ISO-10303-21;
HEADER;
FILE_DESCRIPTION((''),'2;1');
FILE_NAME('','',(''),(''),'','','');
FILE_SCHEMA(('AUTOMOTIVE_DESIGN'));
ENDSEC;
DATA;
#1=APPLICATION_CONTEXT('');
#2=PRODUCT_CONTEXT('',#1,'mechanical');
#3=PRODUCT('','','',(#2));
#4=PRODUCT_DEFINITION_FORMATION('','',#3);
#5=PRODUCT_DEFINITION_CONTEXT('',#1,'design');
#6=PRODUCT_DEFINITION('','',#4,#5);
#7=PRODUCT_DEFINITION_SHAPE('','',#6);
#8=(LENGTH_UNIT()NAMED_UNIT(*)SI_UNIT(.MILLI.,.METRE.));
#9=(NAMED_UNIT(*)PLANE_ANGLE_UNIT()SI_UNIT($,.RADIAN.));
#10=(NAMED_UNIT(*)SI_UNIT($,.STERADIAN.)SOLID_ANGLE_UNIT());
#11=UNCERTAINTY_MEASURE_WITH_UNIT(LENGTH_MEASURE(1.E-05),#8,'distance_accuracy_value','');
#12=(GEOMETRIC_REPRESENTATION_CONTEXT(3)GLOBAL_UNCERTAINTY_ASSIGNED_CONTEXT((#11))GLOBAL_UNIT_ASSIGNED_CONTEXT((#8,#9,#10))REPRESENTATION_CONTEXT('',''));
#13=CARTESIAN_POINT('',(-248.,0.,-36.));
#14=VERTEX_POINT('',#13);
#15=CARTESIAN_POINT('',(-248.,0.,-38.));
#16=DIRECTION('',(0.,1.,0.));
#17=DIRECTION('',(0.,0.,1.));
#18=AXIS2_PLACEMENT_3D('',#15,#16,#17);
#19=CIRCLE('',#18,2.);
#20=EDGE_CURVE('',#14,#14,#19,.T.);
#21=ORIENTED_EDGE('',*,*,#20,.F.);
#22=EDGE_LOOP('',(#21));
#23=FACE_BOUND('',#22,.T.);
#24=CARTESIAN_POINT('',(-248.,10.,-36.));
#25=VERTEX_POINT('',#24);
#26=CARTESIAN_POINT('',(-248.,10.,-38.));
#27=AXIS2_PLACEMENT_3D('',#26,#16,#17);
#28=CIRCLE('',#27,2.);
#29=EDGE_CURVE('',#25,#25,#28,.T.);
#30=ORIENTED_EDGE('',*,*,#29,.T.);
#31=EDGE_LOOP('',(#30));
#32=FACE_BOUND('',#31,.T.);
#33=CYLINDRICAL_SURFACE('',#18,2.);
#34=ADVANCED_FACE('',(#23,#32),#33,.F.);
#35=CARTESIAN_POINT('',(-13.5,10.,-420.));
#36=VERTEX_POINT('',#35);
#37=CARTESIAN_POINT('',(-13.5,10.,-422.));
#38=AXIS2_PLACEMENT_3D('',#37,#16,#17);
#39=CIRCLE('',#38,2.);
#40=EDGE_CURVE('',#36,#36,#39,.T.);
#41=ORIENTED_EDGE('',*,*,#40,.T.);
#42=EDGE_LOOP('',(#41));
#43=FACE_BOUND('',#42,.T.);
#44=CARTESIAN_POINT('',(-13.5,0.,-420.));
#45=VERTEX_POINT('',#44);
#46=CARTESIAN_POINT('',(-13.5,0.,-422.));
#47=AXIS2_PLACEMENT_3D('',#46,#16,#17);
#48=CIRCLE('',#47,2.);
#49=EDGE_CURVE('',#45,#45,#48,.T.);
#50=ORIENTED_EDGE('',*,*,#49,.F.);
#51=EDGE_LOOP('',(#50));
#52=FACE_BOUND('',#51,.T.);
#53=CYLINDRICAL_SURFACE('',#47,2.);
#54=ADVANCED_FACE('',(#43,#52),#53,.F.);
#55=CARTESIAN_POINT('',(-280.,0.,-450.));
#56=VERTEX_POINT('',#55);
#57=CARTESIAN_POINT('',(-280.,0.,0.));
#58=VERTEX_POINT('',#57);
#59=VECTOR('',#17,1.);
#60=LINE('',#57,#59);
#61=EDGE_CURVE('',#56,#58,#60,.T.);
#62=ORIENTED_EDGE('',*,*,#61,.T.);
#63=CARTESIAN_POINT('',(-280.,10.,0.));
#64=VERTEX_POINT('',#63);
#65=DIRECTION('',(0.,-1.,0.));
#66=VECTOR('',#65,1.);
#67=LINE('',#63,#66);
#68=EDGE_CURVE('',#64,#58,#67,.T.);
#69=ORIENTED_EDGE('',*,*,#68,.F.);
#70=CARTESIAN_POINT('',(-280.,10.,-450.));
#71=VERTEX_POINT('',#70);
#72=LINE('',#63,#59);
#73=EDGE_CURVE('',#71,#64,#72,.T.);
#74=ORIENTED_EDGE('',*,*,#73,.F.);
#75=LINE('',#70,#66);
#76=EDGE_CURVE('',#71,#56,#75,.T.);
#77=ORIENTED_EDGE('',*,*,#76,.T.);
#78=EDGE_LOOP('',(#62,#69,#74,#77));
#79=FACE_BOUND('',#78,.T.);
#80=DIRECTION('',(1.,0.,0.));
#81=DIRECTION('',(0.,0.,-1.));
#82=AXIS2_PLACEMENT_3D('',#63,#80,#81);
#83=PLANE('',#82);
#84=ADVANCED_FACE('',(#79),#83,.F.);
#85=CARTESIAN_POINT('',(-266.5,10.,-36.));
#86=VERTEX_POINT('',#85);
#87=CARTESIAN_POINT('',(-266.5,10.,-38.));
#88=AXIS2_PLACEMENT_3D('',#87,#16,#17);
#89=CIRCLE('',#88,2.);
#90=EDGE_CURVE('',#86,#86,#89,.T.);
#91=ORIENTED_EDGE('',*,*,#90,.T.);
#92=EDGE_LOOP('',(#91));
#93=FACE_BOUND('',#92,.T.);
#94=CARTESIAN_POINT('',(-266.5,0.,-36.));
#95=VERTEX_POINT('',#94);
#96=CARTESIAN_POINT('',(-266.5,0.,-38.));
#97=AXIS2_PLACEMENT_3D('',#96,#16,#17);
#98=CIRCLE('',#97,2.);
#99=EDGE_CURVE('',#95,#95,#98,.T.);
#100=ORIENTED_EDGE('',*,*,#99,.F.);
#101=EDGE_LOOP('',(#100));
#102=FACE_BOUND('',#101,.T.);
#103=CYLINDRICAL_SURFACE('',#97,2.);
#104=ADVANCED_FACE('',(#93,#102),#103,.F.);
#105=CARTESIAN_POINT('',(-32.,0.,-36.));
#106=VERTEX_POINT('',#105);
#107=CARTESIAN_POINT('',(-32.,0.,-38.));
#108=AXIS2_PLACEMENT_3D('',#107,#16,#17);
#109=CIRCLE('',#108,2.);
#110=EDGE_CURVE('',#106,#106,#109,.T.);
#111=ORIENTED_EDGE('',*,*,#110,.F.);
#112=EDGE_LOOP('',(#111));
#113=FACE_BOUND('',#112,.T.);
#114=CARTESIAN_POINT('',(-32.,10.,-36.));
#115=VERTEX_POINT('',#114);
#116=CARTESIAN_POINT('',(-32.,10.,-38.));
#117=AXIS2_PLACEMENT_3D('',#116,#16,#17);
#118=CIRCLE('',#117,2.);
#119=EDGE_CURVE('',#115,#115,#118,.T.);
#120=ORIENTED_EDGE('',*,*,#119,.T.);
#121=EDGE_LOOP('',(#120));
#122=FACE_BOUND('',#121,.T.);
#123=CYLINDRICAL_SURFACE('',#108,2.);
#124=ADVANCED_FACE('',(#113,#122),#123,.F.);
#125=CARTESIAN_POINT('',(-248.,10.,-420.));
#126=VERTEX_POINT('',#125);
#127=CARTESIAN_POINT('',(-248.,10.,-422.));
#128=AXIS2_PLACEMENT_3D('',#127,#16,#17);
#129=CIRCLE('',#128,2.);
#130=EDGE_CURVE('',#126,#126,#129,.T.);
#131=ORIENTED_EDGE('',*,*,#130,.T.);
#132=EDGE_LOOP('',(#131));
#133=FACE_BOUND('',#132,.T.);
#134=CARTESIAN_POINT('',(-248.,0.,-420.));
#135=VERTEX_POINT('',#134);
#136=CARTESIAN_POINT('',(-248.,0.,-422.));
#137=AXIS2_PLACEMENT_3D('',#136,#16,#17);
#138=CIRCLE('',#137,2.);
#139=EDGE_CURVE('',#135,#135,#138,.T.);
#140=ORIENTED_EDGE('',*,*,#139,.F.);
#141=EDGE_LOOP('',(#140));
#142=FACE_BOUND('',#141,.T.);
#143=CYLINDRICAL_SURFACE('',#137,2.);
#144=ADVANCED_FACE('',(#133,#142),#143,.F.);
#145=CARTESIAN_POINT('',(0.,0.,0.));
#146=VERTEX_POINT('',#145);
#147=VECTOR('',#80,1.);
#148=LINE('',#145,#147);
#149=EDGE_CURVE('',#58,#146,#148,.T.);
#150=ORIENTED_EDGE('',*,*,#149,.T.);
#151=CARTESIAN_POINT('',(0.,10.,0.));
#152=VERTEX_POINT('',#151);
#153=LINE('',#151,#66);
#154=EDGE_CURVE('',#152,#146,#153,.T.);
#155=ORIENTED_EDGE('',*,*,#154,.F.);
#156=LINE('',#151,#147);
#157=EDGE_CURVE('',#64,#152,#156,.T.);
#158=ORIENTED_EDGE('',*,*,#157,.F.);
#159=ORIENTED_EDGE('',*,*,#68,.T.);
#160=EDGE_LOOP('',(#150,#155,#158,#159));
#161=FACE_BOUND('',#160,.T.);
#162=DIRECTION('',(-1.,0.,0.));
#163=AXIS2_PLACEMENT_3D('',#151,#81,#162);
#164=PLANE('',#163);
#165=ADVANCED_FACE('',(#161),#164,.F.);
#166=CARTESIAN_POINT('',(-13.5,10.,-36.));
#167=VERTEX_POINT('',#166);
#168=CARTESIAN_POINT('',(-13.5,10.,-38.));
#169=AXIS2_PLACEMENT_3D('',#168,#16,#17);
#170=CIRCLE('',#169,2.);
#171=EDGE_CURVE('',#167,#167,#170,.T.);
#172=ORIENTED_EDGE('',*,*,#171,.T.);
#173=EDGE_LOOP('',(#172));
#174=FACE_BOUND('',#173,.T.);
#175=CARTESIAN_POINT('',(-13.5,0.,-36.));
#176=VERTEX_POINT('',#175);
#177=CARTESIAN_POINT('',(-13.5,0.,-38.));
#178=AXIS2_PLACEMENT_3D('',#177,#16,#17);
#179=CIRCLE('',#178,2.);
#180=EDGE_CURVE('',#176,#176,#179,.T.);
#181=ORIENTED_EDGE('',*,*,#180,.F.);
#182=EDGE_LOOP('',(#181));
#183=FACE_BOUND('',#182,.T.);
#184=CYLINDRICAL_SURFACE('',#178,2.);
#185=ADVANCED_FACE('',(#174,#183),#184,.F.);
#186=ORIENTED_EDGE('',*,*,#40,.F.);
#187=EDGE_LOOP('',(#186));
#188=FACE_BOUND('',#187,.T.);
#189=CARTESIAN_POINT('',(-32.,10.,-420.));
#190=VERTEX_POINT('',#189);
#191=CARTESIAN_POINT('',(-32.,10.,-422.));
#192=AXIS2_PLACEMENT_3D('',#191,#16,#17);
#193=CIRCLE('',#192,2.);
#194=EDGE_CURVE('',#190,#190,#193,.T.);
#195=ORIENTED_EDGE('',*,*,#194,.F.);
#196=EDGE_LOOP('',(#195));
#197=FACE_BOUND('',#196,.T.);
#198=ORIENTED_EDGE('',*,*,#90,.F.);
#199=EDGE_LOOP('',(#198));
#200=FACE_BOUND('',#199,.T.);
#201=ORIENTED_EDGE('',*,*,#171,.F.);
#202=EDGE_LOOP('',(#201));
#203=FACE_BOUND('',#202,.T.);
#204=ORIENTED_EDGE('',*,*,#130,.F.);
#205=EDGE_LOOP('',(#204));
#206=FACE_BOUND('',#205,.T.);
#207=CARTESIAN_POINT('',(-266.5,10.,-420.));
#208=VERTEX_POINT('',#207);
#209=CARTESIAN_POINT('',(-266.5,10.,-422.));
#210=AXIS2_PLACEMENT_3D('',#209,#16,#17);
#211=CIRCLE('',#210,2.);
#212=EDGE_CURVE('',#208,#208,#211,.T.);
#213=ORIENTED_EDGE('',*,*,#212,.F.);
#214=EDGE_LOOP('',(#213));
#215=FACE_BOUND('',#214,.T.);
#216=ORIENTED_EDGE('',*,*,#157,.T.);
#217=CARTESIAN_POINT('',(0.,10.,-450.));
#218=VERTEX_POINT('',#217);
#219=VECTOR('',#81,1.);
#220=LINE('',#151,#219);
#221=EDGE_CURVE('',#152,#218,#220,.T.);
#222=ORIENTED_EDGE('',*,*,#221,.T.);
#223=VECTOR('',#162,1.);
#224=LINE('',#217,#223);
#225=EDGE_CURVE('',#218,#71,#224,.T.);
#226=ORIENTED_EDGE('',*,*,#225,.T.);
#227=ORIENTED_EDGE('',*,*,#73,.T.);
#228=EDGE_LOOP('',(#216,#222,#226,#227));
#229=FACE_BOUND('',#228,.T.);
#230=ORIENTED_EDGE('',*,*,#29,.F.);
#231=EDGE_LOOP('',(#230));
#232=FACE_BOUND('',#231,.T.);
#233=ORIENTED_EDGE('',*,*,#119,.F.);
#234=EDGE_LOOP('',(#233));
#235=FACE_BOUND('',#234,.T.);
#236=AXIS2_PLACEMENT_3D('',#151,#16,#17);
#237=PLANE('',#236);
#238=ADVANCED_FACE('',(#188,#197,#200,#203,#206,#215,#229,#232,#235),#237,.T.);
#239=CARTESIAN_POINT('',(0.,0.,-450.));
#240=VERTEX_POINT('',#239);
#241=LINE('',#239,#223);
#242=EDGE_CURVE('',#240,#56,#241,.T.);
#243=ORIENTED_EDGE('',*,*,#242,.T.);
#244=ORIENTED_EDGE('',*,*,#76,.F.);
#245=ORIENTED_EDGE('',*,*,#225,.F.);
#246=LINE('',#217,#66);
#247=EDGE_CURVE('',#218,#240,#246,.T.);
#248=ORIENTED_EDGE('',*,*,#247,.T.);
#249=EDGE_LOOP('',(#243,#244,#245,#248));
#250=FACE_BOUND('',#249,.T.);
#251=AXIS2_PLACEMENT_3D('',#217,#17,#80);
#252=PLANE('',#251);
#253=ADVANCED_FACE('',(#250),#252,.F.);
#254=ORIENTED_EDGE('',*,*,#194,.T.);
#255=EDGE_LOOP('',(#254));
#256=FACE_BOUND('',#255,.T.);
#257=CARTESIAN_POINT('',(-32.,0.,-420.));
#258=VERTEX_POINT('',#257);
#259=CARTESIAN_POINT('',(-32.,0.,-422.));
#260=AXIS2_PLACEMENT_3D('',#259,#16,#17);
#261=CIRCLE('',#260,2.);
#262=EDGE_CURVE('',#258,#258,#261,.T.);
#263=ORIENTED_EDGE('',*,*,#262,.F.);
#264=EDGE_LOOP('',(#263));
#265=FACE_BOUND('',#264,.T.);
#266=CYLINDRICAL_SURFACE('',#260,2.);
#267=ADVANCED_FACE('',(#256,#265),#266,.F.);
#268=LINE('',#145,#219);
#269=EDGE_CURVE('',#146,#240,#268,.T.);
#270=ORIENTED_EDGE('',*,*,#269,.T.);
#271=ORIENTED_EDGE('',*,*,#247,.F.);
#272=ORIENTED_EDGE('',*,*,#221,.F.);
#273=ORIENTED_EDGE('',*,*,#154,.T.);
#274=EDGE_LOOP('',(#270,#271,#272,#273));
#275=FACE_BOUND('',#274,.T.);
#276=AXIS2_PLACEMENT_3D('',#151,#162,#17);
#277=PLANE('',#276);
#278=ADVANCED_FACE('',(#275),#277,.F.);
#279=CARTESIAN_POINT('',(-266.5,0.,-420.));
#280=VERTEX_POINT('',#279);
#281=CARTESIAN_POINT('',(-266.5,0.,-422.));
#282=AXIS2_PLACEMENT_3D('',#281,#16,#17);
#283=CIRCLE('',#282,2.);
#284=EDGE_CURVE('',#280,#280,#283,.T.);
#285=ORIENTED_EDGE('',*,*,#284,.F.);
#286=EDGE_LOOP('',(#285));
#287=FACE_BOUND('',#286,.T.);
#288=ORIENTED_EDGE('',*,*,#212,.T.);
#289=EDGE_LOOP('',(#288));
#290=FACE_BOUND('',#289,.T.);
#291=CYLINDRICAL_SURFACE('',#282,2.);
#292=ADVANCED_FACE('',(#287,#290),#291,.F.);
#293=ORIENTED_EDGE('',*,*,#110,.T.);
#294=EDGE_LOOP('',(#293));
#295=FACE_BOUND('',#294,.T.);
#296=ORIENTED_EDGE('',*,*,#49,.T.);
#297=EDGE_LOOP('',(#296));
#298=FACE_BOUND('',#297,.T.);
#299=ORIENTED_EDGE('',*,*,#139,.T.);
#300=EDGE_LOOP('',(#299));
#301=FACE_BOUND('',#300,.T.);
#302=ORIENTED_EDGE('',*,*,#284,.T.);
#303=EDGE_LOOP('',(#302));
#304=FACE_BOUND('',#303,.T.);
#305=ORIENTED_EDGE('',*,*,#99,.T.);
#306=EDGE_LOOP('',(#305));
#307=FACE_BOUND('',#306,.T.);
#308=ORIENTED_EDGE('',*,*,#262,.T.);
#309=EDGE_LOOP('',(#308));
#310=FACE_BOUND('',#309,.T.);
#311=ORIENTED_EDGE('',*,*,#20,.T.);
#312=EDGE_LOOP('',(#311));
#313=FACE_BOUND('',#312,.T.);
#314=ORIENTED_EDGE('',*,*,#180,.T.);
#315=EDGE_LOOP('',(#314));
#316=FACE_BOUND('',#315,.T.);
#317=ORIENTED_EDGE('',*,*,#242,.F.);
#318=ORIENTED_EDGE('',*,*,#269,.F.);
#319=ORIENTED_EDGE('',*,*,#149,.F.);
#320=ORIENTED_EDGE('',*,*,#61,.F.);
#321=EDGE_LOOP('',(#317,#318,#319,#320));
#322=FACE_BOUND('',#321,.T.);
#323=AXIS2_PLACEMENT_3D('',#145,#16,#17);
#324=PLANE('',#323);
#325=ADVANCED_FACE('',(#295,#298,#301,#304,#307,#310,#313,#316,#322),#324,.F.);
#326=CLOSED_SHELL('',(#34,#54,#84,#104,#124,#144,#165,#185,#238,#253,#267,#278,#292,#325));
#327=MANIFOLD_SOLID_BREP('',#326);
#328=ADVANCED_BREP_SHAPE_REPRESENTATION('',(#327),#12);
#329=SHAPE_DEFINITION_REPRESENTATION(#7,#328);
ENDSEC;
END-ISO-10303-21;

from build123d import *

# Parameters (mm, degrees)
SCHIZZO1_W                   = 280
SCHIZZO1_H                   = 450
ESTRUSIONE_ESTRUSIONE1_DEPTH = 10
SCHIZZO2_R                   = 2
TAGLIO_ESTRUSIONE1_DEPTH     = 10


with BuildPart() as part:
    # Schizzo1 → Estrusione-Estrusione1 (new body)
    with BuildSketch(Plane(origin=(0, 0, 0), x_dir=(1, 0, 0), z_dir=(0, 1, 0))):
        with Locations((-140, 225)):
            Rectangle(SCHIZZO1_W, SCHIZZO1_H)
    extrude(amount=ESTRUSIONE_ESTRUSIONE1_DEPTH)

    # Schizzo2 → Taglio-Estrusione1 (cut)
    with BuildSketch(Plane(origin=(0, 10, 0), x_dir=(1, 0, 0), z_dir=(0, 1, 0))):
        with Locations(Location((-266.5, 38, 0), (0, 0, 270))):
            Circle(SCHIZZO2_R)
        with Locations(Location((-248, 38, 0), (0, 0, 270))):
            Circle(SCHIZZO2_R)
        with Locations(Location((-32, 38, 0), (0, 0, 270))):
            Circle(SCHIZZO2_R)
        with Locations(Location((-13.5, 38, 0), (0, 0, 270))):
            Circle(SCHIZZO2_R)
        with Locations(Location((-13.5, 422, 0), (0, 0, 270))):
            Circle(SCHIZZO2_R)
        with Locations(Location((-32, 422, 0), (0, 0, 270))):
            Circle(SCHIZZO2_R)
        with Locations(Location((-266.5, 422, 0), (0, 0, 270))):
            Circle(SCHIZZO2_R)
        with Locations(Location((-248, 422, 0), (0, 0, 270))):
            Circle(SCHIZZO2_R)
    extrude(amount=-TAGLIO_ESTRUSIONE1_DEPTH, mode=Mode.SUBTRACT)


solid = part.part
